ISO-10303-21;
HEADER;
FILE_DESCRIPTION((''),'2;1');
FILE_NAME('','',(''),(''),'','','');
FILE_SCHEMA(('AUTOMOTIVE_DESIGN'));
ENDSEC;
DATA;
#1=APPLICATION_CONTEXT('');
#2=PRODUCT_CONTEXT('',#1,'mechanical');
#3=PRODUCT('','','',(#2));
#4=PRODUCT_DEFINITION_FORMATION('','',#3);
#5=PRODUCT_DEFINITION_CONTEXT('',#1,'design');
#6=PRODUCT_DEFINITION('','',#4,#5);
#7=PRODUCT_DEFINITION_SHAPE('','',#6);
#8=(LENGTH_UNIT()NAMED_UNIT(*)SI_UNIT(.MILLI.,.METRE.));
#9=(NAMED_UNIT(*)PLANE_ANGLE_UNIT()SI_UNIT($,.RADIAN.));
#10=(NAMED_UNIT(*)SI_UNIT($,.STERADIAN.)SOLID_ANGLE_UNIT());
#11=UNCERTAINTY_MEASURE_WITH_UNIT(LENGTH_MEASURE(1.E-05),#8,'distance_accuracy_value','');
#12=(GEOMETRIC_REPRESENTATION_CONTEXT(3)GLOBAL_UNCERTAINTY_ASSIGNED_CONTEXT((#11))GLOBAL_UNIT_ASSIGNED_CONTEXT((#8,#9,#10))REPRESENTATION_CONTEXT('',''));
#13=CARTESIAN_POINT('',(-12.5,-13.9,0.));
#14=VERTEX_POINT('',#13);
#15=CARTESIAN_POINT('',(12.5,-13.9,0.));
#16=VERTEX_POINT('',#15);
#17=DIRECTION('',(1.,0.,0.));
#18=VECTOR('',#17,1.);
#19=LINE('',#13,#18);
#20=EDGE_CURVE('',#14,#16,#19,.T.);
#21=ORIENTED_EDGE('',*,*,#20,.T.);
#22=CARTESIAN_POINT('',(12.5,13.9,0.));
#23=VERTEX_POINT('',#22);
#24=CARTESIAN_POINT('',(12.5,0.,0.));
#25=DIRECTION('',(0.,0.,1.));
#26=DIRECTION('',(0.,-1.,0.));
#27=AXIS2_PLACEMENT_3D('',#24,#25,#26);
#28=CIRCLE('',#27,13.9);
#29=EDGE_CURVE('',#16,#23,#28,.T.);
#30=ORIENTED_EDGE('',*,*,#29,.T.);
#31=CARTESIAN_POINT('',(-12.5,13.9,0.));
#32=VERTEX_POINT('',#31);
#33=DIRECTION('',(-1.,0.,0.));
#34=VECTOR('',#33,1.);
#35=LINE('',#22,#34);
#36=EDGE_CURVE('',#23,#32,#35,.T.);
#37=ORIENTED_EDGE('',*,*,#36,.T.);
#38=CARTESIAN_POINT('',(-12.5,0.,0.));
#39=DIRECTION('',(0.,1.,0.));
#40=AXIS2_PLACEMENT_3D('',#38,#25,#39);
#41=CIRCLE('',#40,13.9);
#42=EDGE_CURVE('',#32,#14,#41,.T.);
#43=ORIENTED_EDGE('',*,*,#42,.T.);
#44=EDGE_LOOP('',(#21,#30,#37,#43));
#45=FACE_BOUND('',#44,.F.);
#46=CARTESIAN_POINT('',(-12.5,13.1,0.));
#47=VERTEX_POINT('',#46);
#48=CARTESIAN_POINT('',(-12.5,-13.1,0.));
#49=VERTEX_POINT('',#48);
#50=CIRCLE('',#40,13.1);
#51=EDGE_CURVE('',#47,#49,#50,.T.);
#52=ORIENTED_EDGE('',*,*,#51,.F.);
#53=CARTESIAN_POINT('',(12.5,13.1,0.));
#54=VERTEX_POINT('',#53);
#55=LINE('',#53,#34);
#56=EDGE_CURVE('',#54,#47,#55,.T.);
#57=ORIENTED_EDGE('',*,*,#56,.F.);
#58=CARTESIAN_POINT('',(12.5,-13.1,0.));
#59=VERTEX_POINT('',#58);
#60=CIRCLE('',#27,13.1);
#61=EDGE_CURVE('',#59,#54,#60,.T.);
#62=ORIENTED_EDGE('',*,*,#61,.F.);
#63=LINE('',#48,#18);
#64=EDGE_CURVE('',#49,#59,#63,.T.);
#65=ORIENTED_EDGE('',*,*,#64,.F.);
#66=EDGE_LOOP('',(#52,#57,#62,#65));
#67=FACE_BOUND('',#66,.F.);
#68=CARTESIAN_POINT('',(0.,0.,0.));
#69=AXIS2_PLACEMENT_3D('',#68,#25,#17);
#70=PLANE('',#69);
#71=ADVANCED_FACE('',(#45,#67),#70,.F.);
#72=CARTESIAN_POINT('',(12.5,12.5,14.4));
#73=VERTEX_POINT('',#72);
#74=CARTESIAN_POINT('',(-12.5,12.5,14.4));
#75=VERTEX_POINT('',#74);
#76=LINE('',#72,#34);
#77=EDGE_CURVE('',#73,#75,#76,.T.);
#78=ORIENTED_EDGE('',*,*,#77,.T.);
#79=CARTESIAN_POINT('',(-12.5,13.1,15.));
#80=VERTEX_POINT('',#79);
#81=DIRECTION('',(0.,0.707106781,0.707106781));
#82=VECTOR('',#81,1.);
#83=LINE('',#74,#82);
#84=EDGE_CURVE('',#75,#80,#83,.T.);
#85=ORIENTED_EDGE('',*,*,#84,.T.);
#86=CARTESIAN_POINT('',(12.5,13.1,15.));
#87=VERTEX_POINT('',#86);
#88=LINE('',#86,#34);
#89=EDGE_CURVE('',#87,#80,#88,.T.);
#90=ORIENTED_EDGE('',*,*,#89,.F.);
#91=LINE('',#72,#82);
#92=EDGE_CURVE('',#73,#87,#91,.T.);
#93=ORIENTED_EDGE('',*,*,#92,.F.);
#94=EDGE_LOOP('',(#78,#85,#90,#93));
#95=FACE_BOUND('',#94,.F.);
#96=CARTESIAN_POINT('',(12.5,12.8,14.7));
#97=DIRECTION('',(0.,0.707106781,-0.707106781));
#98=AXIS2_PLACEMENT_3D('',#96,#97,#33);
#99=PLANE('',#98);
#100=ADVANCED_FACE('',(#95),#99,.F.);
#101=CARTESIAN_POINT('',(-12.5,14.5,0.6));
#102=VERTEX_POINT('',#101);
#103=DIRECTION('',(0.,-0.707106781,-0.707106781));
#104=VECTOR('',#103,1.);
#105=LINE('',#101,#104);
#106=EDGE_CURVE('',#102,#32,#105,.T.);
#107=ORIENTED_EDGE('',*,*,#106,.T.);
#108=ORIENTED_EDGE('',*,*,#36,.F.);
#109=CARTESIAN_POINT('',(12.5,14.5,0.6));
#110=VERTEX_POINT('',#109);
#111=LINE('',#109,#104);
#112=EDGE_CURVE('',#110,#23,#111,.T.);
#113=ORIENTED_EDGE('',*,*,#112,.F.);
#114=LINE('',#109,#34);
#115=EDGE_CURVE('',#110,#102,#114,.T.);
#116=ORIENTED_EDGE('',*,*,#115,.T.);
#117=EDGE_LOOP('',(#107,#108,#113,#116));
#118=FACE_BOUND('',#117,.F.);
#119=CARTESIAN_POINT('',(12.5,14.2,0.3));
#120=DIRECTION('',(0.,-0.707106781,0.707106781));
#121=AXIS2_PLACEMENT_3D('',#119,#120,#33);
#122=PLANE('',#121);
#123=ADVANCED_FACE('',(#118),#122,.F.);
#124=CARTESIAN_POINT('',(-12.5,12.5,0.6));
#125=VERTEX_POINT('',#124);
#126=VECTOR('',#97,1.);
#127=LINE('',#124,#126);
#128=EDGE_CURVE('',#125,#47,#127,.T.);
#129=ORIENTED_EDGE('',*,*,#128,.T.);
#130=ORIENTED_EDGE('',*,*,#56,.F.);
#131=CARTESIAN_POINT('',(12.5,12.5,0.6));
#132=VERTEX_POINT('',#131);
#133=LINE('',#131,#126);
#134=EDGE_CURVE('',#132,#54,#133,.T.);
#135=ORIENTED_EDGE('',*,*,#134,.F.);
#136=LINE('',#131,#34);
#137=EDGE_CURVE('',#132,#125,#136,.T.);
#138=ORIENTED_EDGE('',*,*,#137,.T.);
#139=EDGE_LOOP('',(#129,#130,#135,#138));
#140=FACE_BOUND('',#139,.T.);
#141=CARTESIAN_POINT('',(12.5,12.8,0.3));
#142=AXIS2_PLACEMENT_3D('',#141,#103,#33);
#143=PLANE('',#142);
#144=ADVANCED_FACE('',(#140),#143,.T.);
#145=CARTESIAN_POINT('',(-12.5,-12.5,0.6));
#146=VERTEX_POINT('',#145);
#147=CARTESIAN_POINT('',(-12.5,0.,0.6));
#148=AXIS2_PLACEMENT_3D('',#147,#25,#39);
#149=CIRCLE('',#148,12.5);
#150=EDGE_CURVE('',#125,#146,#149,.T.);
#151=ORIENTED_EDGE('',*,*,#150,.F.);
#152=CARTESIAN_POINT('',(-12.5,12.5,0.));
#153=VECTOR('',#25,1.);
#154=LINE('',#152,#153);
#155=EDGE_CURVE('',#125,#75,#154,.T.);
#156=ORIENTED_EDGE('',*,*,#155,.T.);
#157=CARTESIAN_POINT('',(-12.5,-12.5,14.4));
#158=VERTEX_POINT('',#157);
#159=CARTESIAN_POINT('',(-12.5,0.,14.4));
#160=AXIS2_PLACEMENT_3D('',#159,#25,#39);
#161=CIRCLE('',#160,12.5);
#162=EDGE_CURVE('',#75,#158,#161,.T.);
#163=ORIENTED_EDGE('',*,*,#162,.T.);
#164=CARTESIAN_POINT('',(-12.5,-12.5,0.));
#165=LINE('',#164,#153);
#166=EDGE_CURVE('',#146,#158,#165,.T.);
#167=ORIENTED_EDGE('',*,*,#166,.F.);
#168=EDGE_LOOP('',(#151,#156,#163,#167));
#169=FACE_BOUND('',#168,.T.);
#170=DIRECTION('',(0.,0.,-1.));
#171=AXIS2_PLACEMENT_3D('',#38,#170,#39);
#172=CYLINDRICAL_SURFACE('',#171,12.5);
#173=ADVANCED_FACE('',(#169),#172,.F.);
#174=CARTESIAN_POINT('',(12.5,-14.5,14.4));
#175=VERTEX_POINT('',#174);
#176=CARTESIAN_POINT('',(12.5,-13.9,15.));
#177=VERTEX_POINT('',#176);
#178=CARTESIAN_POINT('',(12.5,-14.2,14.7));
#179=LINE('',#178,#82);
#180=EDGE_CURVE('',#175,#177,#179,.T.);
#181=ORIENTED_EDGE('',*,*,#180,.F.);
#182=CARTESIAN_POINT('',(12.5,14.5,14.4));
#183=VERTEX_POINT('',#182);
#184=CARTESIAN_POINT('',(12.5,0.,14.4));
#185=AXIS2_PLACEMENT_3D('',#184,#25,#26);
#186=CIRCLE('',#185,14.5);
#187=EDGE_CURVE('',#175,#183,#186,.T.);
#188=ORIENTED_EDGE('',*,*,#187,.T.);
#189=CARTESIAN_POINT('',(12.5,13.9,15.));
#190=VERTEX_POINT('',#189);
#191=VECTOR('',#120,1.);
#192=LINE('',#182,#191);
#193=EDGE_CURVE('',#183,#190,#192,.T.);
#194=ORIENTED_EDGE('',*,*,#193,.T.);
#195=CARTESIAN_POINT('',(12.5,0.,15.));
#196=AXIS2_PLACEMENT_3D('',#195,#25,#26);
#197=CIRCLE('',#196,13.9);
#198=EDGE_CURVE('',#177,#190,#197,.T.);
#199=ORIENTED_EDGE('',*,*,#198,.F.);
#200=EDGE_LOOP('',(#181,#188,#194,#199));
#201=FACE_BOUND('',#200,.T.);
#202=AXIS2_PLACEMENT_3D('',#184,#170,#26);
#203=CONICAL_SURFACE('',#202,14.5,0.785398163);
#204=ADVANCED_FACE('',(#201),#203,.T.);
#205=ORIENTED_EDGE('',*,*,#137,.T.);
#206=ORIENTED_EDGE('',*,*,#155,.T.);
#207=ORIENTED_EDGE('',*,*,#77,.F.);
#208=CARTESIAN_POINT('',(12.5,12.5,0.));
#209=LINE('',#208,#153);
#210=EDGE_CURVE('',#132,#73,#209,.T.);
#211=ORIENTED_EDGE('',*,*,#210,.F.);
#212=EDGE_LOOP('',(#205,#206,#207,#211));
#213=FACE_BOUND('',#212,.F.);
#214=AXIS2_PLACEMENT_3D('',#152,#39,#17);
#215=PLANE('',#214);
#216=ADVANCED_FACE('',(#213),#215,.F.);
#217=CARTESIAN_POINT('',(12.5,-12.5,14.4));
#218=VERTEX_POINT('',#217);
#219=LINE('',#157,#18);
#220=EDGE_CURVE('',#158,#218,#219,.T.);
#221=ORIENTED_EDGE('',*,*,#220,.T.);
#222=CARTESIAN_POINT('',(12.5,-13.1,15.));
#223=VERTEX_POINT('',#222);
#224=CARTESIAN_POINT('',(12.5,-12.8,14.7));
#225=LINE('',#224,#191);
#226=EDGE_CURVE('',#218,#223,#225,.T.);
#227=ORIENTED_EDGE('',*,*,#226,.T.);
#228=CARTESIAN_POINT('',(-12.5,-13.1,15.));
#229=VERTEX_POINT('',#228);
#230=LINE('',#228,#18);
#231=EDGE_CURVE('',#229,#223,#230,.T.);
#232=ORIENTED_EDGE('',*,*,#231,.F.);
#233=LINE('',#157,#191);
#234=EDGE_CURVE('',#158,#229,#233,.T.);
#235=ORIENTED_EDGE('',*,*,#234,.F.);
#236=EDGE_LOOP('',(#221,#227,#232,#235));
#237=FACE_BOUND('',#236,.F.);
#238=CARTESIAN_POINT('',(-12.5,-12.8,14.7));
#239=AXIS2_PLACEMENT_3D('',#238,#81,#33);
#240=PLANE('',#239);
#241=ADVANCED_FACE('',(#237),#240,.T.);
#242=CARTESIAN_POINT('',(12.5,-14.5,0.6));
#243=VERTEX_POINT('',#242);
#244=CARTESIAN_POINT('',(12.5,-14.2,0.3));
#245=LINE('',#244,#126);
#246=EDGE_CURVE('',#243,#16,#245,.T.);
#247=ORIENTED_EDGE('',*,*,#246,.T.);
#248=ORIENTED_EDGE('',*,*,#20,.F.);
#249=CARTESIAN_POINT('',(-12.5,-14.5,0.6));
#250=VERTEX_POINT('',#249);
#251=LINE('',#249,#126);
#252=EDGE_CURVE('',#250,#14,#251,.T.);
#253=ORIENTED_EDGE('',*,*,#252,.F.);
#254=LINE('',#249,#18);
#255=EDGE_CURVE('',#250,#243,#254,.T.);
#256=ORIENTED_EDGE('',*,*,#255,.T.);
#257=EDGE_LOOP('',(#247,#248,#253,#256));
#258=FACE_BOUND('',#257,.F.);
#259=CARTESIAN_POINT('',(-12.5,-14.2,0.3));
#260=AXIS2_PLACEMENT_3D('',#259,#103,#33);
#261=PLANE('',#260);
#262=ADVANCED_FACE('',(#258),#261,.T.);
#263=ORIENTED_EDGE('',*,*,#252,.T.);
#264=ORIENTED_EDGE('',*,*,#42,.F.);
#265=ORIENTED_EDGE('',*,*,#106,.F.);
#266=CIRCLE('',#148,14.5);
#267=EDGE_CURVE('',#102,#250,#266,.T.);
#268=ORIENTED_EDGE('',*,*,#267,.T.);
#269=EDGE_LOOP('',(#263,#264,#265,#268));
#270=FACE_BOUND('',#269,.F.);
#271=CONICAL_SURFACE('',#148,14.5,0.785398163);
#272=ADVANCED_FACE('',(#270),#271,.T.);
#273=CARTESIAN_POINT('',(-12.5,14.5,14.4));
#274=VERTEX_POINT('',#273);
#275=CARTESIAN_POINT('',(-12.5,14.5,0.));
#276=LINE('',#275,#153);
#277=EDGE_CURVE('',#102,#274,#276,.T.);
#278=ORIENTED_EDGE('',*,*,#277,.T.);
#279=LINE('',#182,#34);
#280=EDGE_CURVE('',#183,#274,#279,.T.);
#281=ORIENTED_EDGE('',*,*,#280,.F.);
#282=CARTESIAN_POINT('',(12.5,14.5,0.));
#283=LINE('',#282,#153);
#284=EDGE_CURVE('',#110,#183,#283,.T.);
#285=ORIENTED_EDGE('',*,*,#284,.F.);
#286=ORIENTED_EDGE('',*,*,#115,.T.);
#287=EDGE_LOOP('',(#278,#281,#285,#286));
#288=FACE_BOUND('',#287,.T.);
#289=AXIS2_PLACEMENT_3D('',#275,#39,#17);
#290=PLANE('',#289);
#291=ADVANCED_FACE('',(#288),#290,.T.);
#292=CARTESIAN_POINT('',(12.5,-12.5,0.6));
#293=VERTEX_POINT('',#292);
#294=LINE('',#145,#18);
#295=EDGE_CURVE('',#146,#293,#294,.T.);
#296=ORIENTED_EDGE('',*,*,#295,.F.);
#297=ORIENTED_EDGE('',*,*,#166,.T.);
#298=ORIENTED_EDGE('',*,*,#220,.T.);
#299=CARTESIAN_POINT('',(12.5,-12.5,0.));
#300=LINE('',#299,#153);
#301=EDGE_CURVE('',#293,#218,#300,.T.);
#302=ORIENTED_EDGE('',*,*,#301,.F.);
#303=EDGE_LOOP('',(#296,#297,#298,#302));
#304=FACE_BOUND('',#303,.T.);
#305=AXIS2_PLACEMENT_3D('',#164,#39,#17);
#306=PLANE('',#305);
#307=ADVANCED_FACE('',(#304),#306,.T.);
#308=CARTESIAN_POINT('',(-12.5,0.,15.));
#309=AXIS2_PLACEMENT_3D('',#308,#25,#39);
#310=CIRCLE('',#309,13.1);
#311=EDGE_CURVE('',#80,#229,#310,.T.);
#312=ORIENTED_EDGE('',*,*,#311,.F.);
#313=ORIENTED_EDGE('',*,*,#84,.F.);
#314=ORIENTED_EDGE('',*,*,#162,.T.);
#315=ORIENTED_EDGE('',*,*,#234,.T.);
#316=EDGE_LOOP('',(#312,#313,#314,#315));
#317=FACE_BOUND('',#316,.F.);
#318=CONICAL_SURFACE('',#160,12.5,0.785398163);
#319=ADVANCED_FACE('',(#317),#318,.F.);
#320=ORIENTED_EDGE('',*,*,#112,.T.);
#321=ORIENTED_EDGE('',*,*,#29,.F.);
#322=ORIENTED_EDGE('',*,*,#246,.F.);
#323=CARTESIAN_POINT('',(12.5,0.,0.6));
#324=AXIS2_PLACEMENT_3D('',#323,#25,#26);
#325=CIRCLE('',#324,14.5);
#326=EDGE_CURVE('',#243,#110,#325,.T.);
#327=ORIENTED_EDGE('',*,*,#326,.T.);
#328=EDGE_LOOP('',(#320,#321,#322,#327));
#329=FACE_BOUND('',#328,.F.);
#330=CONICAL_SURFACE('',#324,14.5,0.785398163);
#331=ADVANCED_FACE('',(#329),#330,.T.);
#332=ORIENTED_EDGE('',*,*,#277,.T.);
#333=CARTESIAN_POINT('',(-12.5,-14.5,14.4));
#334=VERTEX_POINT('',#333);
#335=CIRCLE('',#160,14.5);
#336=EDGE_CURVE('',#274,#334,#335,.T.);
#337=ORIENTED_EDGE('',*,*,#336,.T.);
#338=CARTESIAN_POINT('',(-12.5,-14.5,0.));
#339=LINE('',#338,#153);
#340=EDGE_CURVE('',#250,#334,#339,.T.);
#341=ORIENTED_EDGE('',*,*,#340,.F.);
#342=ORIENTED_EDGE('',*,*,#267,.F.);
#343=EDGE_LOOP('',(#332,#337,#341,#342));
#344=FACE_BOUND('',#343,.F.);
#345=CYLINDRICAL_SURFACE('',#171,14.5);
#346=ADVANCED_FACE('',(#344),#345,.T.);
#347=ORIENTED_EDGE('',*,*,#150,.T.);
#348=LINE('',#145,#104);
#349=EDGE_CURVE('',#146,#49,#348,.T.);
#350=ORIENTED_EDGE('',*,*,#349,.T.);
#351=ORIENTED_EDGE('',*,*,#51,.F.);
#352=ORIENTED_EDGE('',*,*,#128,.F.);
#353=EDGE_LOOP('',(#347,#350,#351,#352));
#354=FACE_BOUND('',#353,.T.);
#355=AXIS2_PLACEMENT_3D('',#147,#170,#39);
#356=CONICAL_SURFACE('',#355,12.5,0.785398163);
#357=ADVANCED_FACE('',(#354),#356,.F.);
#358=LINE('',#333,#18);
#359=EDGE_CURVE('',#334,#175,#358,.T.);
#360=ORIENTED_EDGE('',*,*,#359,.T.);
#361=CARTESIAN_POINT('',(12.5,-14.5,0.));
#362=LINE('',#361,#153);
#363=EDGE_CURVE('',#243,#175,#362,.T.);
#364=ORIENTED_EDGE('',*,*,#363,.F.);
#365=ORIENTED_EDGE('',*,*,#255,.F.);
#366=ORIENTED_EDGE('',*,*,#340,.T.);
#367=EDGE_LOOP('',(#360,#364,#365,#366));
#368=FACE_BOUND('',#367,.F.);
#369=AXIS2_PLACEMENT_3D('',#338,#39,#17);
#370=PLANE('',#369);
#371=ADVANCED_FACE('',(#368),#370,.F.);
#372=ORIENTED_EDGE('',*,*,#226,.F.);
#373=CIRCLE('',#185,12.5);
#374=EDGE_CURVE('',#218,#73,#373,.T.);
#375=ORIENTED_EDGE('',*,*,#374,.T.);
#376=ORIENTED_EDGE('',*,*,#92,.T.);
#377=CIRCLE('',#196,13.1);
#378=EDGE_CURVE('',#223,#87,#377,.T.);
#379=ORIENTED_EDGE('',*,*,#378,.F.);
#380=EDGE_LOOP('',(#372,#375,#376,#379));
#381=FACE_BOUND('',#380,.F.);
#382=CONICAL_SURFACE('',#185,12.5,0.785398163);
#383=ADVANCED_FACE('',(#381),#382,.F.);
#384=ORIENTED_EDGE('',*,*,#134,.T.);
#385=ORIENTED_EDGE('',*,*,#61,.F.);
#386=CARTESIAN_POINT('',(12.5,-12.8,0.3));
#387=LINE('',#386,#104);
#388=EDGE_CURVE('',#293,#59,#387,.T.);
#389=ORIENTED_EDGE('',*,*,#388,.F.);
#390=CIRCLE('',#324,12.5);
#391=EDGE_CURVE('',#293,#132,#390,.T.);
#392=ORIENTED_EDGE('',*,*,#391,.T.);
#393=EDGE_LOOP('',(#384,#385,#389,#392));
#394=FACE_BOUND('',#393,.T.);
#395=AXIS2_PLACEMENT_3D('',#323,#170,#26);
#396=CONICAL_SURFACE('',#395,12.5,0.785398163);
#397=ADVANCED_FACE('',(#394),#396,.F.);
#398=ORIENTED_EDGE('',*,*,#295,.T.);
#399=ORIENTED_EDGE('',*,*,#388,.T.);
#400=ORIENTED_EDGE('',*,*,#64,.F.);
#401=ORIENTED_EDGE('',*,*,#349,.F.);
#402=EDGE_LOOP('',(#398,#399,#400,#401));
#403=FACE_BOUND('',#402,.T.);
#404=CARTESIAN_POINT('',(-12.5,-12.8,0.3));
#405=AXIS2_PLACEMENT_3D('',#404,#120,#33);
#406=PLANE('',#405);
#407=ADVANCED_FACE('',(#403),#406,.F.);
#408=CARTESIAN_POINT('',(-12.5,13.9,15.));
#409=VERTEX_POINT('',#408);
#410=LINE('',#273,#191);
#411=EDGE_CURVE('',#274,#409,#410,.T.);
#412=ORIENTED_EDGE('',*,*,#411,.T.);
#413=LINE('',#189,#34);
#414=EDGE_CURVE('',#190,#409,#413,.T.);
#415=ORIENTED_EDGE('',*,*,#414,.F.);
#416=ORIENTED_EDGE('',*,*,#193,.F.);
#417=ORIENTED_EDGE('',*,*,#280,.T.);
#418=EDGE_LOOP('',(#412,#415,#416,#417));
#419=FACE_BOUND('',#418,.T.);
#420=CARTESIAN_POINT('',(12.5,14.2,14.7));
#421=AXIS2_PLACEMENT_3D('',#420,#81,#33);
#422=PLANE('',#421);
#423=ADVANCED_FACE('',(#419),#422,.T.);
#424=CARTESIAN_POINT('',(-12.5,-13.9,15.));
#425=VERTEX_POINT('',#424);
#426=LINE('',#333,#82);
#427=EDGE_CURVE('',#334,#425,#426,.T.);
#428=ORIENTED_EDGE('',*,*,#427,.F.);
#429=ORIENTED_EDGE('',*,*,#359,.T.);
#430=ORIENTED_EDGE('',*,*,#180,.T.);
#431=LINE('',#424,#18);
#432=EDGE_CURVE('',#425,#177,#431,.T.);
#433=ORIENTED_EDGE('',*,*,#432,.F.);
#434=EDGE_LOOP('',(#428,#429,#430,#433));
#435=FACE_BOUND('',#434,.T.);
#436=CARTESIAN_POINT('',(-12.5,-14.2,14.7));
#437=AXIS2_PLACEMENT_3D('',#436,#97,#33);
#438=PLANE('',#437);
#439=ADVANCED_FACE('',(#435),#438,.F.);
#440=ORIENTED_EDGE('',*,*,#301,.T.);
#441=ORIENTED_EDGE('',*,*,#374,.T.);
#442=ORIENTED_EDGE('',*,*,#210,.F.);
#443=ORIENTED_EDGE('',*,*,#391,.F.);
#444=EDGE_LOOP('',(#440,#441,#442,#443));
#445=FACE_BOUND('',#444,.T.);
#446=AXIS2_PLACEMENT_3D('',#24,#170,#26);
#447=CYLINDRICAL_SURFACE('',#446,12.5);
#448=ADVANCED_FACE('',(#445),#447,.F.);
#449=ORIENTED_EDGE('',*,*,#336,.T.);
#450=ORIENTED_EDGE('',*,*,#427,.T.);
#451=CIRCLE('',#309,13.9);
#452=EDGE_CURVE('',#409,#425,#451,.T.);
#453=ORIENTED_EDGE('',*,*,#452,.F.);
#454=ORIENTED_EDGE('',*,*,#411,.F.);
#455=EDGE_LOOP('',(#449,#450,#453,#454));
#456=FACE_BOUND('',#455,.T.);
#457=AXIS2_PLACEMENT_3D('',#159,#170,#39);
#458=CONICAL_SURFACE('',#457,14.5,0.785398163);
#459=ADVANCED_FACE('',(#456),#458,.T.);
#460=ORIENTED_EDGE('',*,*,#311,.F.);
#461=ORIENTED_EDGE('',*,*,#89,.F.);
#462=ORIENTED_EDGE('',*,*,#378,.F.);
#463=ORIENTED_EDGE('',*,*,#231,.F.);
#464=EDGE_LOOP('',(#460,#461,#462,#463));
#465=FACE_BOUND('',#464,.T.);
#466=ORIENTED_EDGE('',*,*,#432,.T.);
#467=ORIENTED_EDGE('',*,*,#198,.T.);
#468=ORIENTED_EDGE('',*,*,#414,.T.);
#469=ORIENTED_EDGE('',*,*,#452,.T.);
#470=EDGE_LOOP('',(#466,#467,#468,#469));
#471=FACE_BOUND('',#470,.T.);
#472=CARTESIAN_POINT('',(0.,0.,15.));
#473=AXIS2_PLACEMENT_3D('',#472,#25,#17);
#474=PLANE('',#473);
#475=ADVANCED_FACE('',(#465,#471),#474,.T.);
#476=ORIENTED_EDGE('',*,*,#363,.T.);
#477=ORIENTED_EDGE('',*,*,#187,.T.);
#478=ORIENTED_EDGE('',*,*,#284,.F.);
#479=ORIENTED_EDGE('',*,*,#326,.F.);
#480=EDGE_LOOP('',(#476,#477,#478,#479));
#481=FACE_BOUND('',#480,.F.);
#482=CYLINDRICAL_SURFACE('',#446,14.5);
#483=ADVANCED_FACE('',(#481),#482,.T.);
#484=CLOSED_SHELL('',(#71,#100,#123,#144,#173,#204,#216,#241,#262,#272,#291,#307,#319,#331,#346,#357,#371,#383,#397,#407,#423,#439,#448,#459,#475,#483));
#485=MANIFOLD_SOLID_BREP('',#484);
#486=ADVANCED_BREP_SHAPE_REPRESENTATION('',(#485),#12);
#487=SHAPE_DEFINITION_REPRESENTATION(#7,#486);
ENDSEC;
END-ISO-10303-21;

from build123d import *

# Parameters (mm, degrees)
PAD_DEPTH    = 15
CHAMFER_SIZE = 0.6


with BuildPart() as part:
    # Sketch002 → Pad (new body)
    with BuildSketch(Plane.XY):
        with BuildLine():
            ThreePointArc((-12.5, 14.5), (-27, 0), (-12.5, -14.5))
            Line((-12.5, -14.5), (12.5, -14.5))
            ThreePointArc((12.5, -14.5), (27, 0), (12.5, 14.5))
            Line((-12.5, 14.5), (12.5, 14.5))
        make_face()
        with BuildLine():
            ThreePointArc((-12.5, 12.5), (-25, 0), (-12.5, -12.5))
            Line((-12.5, -12.5), (12.5, -12.5))
            ThreePointArc((12.5, -12.5), (25, 0), (12.5, 12.5))
            Line((-12.5, 12.5), (12.5, 12.5))
        make_face(mode=Mode.SUBTRACT)
    extrude(amount=PAD_DEPTH)

    # Chamfer
    chamfer_edges = [part.edges().sort_by_distance(p)[0] for p in [
        (-27, 0, 15),
        (0, -14.5, 15),
        (27, 0, 15),
        (0, 14.5, 15),
        (-25, 0, 15),
        (0, -12.5, 15),
        (25, 0, 15),
        (0, 12.5, 15),
        (-27, 0, 0),
        (0, -14.5, 0),
        (27, 0, 0),
        (0, 14.5, 0),
        (-25, 0, 0),
        (0, -12.5, 0),
        (25, 0, 0),
        (0, 12.5, 0),
    ]]
    chamfer(chamfer_edges, length=CHAMFER_SIZE)


solid = part.part
